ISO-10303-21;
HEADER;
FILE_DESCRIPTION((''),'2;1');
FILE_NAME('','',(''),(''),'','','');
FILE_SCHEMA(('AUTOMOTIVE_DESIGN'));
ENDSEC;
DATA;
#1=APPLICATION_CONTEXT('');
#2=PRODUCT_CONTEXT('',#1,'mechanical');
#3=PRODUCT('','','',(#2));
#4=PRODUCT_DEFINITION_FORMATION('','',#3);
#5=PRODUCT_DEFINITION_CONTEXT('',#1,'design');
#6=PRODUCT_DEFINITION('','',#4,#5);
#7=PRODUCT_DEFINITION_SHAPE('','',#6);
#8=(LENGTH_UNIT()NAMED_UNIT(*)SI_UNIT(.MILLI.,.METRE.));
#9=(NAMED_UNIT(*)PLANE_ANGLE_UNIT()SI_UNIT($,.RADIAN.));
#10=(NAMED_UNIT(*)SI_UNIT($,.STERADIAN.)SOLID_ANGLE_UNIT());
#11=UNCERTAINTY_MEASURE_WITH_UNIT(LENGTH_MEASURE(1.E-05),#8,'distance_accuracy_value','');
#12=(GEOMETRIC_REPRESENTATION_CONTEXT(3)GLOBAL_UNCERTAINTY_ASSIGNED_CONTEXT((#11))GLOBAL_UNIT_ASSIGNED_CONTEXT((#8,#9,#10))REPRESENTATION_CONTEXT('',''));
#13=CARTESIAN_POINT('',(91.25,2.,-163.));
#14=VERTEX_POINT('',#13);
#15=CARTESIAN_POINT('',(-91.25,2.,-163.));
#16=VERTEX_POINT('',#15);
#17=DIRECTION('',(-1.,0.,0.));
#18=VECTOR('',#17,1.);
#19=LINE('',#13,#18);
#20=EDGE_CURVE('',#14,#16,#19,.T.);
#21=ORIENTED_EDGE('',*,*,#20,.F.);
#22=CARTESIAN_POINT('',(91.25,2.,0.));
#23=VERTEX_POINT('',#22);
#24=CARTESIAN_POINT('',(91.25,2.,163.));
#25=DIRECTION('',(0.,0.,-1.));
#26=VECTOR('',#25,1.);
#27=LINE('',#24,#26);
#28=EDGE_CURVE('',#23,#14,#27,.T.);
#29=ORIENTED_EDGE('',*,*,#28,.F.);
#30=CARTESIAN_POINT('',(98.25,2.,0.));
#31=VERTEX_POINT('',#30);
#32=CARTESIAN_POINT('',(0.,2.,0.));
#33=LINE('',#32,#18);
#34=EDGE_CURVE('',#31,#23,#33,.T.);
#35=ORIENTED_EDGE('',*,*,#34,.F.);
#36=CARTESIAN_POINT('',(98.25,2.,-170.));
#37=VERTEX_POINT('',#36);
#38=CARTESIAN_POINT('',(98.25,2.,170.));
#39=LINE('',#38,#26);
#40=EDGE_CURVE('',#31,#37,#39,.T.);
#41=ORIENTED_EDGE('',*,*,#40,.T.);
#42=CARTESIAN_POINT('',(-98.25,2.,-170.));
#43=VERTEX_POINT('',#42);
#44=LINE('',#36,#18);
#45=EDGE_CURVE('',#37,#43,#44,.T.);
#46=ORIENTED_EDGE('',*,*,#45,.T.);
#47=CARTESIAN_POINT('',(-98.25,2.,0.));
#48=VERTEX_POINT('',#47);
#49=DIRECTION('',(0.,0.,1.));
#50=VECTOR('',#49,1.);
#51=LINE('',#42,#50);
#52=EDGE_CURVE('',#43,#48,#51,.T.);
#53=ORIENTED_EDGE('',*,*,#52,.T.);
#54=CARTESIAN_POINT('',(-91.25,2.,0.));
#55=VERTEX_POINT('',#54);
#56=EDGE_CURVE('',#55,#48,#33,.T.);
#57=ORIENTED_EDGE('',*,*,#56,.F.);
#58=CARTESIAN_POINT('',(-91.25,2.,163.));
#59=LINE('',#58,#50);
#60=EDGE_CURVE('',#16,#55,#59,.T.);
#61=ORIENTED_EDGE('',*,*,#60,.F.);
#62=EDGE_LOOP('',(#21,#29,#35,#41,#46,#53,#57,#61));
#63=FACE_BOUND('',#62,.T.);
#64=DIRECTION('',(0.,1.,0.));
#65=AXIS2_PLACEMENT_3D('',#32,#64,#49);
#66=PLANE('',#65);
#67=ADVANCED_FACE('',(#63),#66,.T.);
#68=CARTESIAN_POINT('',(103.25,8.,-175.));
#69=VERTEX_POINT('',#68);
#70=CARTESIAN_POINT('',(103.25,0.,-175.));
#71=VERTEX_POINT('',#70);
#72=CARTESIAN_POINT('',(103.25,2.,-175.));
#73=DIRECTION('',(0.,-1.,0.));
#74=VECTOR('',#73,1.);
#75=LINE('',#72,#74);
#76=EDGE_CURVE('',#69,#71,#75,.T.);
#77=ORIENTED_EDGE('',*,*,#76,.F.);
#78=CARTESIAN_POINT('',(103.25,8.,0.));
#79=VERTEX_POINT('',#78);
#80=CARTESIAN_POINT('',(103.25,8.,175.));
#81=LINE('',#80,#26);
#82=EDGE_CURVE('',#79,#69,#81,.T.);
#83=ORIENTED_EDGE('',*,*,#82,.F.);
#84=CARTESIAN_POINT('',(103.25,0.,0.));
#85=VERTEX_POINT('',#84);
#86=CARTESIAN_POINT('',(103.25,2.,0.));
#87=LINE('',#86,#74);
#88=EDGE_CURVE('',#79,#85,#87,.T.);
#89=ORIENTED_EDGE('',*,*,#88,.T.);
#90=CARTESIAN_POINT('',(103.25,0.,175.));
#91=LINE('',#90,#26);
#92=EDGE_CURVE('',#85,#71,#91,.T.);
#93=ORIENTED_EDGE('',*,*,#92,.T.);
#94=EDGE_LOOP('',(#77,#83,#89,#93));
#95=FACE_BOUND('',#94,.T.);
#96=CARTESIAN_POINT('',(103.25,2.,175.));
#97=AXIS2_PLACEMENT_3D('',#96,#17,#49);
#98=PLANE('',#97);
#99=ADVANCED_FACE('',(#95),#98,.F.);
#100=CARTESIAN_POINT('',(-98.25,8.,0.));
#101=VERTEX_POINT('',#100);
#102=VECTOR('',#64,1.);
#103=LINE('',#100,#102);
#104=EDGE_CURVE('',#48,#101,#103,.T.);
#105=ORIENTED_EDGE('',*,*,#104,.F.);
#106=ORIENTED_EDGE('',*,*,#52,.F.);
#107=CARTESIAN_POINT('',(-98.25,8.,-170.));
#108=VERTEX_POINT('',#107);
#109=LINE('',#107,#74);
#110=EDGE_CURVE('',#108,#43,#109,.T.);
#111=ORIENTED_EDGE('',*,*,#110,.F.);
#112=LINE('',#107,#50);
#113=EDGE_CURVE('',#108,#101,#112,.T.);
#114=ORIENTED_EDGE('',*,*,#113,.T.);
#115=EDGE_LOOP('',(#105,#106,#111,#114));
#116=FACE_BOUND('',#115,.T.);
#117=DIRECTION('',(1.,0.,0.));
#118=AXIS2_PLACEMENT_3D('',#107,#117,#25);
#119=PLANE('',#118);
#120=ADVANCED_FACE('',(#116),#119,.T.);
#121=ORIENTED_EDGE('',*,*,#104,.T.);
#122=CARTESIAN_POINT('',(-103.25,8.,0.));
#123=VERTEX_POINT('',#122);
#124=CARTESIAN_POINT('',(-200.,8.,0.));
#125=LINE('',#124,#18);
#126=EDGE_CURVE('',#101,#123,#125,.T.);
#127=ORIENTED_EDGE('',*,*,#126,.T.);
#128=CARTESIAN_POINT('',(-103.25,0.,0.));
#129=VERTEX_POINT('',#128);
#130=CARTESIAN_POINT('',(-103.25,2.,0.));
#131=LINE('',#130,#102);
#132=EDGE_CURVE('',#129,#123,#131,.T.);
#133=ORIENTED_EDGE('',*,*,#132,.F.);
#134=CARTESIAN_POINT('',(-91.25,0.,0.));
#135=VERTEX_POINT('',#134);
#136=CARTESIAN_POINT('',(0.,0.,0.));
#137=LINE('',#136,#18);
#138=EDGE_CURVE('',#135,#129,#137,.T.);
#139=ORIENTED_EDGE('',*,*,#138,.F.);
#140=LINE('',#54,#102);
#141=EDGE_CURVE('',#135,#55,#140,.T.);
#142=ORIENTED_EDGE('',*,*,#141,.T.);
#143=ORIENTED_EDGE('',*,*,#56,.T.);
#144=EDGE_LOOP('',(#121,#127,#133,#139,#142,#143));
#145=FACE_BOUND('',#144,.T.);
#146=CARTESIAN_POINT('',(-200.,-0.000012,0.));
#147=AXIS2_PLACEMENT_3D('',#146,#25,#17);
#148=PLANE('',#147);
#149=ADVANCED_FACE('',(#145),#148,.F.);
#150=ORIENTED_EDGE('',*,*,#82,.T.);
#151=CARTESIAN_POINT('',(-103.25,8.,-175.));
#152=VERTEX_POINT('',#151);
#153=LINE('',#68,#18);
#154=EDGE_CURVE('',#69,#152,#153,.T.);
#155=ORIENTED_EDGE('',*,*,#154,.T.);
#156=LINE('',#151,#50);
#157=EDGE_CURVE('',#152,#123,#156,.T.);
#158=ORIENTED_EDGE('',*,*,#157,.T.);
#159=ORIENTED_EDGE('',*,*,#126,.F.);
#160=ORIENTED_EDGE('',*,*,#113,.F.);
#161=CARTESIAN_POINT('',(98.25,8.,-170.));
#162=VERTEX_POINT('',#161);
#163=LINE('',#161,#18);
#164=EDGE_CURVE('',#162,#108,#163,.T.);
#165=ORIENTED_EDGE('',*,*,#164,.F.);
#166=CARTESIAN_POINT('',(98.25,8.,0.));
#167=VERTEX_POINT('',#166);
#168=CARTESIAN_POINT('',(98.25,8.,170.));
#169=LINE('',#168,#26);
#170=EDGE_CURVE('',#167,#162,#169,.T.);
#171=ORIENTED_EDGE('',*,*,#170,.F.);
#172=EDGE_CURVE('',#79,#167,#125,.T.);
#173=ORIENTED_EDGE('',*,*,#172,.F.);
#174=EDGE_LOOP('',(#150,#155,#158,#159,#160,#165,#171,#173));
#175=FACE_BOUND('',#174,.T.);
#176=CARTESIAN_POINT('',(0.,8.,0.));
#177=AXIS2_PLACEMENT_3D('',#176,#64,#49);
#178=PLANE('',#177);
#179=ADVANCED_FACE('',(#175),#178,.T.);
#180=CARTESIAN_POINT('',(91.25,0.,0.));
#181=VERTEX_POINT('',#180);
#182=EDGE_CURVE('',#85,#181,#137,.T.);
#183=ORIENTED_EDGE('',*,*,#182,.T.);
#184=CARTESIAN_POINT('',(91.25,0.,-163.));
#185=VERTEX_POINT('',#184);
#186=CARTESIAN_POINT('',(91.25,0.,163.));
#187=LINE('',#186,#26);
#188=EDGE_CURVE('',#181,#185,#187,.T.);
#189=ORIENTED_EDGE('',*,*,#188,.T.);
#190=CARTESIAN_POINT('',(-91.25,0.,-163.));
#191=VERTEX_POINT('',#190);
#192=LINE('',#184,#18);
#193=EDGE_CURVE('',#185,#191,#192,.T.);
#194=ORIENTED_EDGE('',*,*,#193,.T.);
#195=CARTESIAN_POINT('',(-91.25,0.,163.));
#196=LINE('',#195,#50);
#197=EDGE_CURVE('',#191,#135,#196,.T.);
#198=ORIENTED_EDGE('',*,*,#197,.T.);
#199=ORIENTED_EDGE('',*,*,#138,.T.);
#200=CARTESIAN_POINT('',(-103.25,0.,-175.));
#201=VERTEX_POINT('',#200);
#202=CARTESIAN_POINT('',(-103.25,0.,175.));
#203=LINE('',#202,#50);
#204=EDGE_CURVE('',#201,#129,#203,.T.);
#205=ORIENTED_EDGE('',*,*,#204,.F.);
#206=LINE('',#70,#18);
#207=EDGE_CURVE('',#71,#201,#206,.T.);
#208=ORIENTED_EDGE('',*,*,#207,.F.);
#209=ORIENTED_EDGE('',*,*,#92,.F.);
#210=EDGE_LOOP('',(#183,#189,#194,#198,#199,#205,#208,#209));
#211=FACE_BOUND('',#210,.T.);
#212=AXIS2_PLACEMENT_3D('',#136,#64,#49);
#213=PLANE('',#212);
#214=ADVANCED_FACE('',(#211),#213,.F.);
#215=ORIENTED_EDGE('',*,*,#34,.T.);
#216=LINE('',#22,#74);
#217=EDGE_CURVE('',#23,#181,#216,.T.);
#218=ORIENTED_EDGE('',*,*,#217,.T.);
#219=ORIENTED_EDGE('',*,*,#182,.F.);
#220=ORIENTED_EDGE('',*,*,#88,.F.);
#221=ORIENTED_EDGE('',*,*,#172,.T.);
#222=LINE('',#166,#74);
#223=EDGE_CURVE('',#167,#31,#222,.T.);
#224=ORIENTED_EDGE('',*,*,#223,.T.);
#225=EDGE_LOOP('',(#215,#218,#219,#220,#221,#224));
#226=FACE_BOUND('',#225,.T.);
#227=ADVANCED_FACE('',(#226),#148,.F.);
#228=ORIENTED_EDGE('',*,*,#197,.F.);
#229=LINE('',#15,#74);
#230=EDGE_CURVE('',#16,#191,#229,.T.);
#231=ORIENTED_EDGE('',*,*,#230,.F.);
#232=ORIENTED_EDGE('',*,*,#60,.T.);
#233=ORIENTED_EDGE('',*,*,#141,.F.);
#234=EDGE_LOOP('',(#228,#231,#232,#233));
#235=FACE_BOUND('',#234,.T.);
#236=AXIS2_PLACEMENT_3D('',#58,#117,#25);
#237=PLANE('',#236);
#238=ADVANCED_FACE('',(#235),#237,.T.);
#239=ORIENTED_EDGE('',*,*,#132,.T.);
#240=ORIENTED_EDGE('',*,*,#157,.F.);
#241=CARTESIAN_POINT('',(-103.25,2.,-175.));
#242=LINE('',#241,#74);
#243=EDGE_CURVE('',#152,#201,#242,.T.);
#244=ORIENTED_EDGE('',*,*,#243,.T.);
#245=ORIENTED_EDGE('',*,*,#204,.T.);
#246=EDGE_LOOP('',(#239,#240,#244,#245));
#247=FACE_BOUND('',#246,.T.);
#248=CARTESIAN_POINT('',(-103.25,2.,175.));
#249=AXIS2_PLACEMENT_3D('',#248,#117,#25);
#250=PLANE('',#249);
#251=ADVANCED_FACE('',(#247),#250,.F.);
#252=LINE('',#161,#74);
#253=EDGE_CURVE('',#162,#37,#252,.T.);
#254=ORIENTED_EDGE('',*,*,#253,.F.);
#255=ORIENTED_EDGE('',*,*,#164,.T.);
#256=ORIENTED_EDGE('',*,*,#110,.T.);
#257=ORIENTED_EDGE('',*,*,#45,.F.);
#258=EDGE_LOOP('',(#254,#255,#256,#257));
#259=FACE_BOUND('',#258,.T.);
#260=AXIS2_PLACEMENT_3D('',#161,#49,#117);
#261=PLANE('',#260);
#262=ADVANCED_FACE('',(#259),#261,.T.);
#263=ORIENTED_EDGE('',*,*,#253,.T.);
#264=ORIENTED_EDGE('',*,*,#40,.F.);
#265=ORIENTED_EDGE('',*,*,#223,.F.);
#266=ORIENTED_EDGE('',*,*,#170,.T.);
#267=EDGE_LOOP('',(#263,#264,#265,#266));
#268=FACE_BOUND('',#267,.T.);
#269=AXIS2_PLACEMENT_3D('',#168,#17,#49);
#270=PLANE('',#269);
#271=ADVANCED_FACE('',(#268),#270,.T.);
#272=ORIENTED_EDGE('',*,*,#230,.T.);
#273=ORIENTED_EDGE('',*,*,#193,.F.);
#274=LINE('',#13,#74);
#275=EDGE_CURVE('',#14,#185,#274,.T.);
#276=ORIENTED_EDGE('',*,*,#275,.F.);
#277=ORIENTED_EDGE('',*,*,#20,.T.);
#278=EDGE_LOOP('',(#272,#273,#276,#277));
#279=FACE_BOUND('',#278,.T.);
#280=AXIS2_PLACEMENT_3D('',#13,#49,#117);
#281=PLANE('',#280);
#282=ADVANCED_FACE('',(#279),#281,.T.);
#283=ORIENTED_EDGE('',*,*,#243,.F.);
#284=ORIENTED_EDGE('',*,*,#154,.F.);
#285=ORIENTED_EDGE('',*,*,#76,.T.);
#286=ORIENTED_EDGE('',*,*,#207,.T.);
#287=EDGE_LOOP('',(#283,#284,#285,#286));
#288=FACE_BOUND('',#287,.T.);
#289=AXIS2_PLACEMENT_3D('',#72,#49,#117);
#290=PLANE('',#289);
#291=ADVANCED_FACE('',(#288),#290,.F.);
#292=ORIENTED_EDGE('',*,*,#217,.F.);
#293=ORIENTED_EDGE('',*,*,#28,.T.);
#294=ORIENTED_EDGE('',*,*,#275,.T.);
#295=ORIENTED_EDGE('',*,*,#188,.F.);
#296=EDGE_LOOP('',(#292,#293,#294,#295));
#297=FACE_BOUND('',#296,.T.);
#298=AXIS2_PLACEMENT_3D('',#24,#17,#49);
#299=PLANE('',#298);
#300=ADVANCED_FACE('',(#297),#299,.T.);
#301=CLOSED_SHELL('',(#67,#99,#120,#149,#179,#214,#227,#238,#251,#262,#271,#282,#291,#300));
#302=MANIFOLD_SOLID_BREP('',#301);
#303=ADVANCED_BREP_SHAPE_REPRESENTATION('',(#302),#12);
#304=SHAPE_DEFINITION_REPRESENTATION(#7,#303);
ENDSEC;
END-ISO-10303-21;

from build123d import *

# Parameters (mm, degrees)
SKETCH1_W               = 206.5
SKETCH1_H               = 350
SKETCH1_W_2             = 182.5
SKETCH1_H_2             = 326
BOSS_EXTRUDE1_DEPTH     = 2
SKETCH2_W               = 206.5
SKETCH2_H               = 350
SKETCH2_W_2             = 196.5
SKETCH2_H_2             = 340
BOSS_EXTRUDE2_DEPTH     = 6
CUT_EXTRUDE3_DEPTH      = 204.345918326
CUT_EXTRUDE3_DEPTH_BACK = 204.345918326
SKETCH3_W               = 400
SKETCH3_H               = 400


with BuildPart() as part:
    # Sketch1 → Boss-Extrude1 (new body)
    with BuildSketch(Plane(origin=(0, 0, 0), x_dir=(1, 0, 0), z_dir=(0, 1, 0))):
        Rectangle(SKETCH1_W, SKETCH1_H)
        Rectangle(SKETCH1_W_2, SKETCH1_H_2, mode=Mode.SUBTRACT)
    extrude(amount=BOSS_EXTRUDE1_DEPTH)

    # Sketch2 → Boss-Extrude2 (add)
    with BuildSketch(Plane(origin=(0, 2, 0), x_dir=(1, 0, 0), z_dir=(0, 1, 0))):
        Rectangle(SKETCH2_W, SKETCH2_H)
        Rectangle(SKETCH2_W_2, SKETCH2_H_2, mode=Mode.SUBTRACT)
    extrude(amount=BOSS_EXTRUDE2_DEPTH)

    # Sketch3 → Cut-Extrude3 (cut, two sides: drawn at the far end of the back side and taken through both)
    with BuildSketch(Plane(origin=(0, 0, 0), x_dir=(1, 0, 0), z_dir=(0, 1, 0)).offset(-CUT_EXTRUDE3_DEPTH_BACK)):
        with Locations((0, -200)):
            Rectangle(SKETCH3_W, SKETCH3_H)
    extrude(amount=CUT_EXTRUDE3_DEPTH + CUT_EXTRUDE3_DEPTH_BACK, mode=Mode.SUBTRACT)


solid = part.part
